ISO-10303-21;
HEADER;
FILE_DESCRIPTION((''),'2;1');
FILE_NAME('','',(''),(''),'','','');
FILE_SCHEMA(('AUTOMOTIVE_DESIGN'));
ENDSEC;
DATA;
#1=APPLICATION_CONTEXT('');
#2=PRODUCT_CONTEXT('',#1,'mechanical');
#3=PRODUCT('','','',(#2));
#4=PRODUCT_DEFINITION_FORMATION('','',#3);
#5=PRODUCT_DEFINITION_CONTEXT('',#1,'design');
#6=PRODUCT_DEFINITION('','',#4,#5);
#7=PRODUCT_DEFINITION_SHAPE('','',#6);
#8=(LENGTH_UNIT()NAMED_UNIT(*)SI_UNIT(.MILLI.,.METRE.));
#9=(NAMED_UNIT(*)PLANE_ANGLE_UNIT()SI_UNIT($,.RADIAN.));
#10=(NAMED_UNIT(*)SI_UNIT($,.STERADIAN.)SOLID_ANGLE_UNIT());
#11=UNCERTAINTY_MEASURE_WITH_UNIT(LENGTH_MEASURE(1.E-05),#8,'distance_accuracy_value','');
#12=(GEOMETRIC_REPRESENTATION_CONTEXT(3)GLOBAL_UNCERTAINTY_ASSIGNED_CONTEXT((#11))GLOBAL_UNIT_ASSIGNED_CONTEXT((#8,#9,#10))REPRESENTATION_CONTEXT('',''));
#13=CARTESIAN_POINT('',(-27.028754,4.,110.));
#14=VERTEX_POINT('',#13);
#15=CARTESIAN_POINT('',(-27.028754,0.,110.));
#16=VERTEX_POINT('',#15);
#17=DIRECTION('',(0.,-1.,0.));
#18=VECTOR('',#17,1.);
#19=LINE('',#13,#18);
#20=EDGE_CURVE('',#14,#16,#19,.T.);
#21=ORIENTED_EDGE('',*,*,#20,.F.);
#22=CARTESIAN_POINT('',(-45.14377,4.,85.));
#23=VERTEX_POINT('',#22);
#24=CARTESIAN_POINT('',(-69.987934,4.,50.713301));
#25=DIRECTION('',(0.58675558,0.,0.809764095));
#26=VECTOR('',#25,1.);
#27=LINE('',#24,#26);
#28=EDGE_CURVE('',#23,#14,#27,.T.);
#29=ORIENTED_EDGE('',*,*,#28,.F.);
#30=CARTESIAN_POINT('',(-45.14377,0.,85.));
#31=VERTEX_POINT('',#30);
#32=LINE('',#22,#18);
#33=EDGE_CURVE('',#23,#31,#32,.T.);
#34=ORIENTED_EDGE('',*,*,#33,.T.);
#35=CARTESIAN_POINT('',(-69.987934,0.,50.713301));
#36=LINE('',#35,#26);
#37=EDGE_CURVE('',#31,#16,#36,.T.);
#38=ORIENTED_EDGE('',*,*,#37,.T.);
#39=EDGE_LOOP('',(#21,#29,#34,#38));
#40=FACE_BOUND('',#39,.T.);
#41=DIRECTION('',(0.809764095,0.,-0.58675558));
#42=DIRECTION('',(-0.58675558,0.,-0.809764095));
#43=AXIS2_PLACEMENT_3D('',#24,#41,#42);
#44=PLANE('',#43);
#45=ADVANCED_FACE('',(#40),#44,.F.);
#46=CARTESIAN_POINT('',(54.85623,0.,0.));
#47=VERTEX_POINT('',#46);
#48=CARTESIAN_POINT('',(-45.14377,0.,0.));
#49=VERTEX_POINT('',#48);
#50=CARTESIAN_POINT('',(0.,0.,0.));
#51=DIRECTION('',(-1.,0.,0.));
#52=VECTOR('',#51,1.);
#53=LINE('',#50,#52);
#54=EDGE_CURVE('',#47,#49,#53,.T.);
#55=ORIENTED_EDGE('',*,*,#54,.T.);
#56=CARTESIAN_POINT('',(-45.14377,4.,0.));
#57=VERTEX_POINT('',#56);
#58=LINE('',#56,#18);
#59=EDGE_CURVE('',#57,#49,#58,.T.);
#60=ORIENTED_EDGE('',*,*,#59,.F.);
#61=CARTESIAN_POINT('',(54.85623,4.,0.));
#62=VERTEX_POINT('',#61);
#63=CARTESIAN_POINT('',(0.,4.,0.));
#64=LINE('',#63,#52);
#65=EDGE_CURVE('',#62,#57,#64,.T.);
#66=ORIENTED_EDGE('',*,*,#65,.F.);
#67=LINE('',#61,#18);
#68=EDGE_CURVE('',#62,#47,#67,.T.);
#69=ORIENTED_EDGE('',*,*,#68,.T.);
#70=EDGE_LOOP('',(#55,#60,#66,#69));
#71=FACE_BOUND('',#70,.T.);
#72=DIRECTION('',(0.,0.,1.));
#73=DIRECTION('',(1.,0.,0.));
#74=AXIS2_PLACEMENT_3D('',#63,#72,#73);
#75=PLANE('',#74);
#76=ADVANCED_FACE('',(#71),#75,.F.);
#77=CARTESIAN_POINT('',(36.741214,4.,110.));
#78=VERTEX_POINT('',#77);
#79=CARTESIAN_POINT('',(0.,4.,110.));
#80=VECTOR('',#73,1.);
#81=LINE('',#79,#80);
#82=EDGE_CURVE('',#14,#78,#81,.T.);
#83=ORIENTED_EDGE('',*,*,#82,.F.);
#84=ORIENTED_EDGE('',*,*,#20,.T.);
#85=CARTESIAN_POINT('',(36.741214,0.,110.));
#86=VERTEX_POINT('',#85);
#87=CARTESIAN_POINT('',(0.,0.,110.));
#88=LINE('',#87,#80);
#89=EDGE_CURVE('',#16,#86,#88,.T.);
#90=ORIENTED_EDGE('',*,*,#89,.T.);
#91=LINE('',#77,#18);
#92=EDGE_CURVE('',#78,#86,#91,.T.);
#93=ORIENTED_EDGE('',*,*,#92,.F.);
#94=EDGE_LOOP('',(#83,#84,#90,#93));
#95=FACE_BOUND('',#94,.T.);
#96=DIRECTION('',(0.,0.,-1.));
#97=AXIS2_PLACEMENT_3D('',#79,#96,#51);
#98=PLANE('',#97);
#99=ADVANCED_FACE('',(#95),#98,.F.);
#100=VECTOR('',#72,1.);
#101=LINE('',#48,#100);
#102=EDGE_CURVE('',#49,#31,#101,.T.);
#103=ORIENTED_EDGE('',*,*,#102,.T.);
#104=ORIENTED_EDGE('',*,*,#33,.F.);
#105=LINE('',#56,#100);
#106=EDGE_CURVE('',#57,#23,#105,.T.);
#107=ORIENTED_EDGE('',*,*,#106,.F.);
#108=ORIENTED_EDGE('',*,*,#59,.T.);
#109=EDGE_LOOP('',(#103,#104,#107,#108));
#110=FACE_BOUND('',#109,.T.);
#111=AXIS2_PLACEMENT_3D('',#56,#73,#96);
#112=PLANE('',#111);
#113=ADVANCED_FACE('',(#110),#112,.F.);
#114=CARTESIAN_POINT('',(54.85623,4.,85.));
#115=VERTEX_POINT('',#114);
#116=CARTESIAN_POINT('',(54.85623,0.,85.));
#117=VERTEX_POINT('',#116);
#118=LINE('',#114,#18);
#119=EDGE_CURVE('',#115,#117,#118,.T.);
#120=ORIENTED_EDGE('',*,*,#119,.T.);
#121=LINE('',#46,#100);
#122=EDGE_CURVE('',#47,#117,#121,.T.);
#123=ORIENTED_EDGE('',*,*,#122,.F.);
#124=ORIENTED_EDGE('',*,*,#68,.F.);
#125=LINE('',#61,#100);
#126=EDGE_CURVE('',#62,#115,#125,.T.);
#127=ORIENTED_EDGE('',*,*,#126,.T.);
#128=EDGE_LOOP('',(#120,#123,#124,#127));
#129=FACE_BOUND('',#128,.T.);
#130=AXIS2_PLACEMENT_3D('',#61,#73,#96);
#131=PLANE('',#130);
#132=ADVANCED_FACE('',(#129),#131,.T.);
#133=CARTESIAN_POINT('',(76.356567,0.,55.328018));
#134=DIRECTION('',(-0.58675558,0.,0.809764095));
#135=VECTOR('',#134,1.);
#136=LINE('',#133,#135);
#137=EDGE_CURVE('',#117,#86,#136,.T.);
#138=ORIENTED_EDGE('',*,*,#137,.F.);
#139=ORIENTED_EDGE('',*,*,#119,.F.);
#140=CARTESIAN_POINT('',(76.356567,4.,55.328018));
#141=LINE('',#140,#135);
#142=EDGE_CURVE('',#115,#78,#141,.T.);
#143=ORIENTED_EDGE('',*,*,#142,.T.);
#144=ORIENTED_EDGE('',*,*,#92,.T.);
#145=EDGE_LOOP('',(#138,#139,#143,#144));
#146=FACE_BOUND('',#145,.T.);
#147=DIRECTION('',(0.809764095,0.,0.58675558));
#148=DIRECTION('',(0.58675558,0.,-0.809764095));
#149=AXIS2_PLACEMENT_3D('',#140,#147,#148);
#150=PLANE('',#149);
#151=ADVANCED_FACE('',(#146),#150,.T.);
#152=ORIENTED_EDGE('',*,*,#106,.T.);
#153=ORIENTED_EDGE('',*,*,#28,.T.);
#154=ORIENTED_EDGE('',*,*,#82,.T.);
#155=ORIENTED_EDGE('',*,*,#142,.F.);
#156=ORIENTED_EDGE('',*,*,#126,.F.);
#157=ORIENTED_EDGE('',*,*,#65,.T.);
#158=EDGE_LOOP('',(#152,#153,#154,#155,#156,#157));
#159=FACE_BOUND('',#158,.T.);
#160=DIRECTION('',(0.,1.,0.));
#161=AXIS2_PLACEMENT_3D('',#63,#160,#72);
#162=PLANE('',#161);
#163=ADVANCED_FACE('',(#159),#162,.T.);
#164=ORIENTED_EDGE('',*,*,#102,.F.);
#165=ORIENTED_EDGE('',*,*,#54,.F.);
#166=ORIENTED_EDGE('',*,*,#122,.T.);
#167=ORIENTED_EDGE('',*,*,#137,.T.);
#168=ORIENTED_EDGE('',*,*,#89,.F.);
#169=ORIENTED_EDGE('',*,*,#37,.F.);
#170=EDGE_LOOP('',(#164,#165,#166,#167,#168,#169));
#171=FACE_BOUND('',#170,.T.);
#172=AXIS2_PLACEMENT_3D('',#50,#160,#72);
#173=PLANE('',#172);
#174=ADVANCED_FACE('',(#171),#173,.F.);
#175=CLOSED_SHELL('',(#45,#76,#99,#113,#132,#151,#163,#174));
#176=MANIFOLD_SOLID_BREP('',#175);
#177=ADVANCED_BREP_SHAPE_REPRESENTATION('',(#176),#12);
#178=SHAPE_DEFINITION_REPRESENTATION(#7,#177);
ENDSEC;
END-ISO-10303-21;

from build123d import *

# Parameters (mm, degrees)
SKETCH1_W           = 100
SKETCH1_H           = 85
BOSS_EXTRUDE1_DEPTH = 4


with BuildPart() as part:
    # Sketch1 → Boss-Extrude1 (new body)
    with BuildSketch(Plane(origin=(0, 0, 0), x_dir=(1, 0, 0), z_dir=(0, 1, 0))):
        Polygon((-45.143769968, -85), (54.856230032, -85), (36.741214058, -110), (-27.028753994, -110), align=None)
        with Locations((4.856230032, -42.5)):
            Rectangle(SKETCH1_W, SKETCH1_H)
    extrude(amount=BOSS_EXTRUDE1_DEPTH)


solid = part.part
